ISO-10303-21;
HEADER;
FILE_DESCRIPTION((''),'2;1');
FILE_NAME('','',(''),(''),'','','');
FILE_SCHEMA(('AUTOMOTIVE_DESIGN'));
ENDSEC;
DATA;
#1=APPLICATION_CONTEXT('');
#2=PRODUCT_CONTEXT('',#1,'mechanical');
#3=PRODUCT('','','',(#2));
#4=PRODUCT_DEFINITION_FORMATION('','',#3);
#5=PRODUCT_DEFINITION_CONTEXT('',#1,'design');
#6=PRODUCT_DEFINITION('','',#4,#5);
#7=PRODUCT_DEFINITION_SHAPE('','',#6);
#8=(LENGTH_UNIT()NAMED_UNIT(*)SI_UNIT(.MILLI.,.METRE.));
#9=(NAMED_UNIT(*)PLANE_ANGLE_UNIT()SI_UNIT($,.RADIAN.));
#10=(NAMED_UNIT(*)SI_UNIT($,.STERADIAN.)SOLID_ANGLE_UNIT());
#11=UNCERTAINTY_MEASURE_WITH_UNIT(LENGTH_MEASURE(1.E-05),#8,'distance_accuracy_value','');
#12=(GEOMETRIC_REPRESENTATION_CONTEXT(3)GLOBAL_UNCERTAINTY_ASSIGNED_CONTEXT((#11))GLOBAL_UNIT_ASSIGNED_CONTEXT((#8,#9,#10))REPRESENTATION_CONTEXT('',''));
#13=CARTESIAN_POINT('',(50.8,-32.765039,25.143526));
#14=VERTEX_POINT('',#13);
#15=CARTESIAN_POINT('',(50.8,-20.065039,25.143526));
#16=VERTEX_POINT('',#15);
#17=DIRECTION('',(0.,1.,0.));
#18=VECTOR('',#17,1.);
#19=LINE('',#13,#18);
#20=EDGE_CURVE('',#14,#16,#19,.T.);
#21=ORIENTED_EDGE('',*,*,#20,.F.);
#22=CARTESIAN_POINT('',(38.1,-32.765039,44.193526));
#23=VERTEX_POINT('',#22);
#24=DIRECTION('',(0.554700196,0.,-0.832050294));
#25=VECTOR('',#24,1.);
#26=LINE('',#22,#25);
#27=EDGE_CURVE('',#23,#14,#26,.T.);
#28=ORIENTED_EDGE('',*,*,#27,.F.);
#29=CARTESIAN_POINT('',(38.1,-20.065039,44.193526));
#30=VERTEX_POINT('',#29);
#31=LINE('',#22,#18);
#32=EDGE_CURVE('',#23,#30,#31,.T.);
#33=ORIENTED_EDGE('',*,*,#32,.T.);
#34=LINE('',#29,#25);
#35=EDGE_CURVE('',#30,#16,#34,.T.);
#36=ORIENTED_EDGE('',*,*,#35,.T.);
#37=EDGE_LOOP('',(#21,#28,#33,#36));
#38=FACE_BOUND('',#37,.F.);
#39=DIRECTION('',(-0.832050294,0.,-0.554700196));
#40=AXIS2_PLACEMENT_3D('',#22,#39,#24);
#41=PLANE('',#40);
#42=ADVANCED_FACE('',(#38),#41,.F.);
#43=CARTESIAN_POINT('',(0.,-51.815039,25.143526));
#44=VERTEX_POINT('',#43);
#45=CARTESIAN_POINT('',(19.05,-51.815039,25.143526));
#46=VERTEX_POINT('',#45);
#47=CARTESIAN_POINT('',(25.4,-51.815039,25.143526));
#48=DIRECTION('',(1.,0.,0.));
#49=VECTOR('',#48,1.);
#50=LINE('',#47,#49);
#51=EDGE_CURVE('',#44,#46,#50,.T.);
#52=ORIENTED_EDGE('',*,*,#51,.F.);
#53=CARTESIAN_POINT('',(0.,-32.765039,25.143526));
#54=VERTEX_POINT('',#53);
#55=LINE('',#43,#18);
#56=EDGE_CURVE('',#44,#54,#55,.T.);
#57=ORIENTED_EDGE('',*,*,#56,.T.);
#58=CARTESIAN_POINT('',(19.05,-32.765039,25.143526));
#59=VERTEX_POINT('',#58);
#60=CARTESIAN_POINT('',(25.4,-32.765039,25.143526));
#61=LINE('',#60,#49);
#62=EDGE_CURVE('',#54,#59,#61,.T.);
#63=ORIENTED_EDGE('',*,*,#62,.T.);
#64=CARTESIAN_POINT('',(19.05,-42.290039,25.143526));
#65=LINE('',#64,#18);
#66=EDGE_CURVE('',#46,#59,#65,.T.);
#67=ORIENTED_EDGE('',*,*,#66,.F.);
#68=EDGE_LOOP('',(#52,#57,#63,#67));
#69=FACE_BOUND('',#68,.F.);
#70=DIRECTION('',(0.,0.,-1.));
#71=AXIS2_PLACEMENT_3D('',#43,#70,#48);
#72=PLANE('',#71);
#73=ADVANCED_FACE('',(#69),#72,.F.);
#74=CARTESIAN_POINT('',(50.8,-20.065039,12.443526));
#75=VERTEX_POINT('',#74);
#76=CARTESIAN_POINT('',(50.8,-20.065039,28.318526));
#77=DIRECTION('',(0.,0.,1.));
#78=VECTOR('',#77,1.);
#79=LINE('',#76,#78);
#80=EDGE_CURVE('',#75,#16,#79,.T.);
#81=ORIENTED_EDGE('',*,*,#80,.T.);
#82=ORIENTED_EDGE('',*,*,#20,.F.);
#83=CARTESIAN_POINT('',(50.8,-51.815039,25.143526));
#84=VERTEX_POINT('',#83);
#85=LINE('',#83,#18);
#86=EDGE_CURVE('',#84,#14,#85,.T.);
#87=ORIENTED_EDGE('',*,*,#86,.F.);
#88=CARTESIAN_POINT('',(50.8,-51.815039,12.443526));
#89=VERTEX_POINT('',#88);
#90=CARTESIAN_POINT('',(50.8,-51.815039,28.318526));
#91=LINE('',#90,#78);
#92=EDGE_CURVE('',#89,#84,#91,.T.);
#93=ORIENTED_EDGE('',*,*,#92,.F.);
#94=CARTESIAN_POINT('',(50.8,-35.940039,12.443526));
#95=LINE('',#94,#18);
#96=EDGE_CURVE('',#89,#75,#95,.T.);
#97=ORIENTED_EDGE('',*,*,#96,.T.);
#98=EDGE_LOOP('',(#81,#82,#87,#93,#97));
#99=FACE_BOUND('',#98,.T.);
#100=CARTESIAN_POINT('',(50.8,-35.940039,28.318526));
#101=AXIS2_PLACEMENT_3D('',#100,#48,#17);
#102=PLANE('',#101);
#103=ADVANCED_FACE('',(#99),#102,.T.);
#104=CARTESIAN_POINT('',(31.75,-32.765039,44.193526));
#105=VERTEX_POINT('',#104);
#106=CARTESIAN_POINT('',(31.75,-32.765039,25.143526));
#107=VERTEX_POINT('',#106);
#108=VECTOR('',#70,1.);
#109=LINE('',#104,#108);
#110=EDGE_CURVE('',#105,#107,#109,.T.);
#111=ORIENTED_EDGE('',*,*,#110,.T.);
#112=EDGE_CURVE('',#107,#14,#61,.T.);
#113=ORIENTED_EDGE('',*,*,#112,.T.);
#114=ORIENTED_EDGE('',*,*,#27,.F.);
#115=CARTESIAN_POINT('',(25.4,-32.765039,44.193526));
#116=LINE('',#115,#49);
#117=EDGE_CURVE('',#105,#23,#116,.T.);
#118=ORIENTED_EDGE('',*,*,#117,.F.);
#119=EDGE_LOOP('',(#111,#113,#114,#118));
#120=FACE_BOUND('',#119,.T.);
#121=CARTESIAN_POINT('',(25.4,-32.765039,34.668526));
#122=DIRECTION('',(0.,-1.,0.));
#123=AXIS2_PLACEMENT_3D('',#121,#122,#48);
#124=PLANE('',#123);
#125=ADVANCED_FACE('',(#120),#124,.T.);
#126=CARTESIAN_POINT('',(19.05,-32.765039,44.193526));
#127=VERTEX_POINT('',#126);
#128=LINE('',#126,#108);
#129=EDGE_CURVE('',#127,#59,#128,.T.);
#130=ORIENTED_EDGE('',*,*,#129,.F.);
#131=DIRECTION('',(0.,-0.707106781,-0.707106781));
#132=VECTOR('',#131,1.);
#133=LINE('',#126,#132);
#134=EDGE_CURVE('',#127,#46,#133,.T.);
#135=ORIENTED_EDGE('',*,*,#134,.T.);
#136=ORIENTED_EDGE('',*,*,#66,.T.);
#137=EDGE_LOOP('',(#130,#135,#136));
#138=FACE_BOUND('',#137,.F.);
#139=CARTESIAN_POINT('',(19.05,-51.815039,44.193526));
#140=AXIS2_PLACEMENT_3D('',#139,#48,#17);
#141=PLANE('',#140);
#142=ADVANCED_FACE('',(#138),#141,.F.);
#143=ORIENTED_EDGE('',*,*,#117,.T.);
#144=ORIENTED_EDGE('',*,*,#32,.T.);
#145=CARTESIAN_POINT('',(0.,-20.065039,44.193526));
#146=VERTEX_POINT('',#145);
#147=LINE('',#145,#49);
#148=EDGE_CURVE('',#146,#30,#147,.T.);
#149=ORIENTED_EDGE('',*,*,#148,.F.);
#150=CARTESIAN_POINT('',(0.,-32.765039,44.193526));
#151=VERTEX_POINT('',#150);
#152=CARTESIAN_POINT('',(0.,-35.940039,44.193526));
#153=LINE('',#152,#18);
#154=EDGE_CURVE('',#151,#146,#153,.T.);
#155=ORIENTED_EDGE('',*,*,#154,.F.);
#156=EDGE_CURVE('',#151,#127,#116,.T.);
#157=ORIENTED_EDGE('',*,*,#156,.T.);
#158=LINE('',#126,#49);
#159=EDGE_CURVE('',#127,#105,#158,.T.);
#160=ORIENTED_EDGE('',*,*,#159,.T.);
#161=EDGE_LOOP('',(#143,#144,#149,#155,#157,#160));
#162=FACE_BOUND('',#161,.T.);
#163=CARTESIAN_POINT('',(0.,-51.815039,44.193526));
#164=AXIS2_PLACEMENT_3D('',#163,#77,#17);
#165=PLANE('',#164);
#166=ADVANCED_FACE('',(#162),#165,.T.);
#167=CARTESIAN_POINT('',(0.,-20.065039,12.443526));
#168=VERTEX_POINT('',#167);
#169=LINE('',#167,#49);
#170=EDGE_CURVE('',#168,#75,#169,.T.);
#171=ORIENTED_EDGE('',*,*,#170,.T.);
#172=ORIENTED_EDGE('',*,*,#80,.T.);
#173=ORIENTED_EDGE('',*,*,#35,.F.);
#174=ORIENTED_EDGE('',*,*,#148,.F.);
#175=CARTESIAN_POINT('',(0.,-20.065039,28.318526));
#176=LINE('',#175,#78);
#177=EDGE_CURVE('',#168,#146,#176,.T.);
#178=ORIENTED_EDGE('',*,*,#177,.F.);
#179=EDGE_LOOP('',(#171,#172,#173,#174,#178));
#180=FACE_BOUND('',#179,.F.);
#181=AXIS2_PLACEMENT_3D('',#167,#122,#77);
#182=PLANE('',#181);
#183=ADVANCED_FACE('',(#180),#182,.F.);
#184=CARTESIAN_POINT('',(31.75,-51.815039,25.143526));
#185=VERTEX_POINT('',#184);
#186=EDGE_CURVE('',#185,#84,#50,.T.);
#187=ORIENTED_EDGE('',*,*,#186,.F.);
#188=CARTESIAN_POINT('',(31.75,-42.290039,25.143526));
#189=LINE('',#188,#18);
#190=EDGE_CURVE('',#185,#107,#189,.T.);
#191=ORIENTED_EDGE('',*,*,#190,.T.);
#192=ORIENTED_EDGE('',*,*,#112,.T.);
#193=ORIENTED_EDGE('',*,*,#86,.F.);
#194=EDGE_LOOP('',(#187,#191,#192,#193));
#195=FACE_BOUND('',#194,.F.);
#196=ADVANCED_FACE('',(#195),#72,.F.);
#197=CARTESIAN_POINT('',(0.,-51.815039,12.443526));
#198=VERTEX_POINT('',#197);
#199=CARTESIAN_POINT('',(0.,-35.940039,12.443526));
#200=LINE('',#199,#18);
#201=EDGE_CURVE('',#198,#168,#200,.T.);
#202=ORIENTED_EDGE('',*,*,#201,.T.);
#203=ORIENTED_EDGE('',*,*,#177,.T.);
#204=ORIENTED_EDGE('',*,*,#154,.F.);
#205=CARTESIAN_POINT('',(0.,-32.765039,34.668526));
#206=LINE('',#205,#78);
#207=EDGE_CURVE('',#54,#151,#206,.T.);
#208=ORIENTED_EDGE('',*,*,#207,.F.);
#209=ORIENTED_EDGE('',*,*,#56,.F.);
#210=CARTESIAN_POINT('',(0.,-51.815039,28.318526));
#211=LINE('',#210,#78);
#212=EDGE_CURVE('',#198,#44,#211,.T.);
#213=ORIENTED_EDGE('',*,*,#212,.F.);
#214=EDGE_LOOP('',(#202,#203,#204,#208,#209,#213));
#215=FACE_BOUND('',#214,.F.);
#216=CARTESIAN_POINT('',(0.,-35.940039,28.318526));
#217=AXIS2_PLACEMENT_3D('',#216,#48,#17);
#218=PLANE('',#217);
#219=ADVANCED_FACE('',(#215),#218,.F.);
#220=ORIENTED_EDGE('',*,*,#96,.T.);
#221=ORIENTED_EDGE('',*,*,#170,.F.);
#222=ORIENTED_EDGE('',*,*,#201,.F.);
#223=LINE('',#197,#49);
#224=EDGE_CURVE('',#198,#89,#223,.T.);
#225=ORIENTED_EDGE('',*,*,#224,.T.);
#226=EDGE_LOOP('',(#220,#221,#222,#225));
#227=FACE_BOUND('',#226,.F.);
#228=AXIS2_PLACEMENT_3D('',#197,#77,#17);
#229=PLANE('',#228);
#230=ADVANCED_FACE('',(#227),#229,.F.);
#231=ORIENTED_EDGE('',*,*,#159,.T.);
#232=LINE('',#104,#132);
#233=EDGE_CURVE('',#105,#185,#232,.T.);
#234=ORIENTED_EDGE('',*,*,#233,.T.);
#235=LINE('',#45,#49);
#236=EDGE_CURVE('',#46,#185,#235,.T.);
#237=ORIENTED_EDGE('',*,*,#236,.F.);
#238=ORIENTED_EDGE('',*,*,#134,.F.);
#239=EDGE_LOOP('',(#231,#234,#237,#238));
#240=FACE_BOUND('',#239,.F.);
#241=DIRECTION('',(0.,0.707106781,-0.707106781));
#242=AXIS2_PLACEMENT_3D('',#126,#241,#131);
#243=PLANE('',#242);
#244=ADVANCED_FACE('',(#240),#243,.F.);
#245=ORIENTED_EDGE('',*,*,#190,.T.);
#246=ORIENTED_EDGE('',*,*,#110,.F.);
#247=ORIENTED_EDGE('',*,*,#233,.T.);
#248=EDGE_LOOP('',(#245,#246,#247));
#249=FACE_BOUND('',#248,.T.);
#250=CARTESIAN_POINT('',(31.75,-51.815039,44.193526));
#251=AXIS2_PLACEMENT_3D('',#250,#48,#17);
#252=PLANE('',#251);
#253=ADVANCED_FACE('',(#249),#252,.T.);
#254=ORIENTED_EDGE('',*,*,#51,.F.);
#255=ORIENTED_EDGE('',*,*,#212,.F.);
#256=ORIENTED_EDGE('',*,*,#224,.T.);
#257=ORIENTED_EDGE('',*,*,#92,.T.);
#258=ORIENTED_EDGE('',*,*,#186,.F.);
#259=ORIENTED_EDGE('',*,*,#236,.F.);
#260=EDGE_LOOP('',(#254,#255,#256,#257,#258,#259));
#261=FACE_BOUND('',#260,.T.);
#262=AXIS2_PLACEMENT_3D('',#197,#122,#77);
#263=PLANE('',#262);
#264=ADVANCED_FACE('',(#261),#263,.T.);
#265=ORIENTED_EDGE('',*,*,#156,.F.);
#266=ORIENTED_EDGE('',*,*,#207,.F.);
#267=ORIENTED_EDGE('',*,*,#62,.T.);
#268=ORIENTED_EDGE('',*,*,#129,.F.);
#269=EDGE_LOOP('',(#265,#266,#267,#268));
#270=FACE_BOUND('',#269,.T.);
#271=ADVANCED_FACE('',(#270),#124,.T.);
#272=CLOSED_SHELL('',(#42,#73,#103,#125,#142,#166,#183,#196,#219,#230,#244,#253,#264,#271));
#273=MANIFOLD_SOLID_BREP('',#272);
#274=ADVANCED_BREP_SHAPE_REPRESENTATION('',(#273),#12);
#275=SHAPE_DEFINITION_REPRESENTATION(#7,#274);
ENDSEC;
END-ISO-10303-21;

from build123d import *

# Parameters (mm, degrees)
F0_W     = 31.75
F0_H     = 31.75
F1_DEPTH = 50.8
F2_W     = 50.8
F2_H     = 19.05
F3_DEPTH = 19.05
F5_DEPTH = 12.7
F6_W     = 12.7
F6_H     = 19.05
F7_DEPTH = 19.05
F9_DEPTH = 12.7


with BuildPart() as f1:
    # F0 (on Right) → F1 (new body)
    with BuildSketch(Plane.YZ):
        with Locations((-35.940039, 28.318526)):
            Rectangle(F0_W, F0_H)
    extrude(amount=F1_DEPTH)

    # F2 (on face) → F3 (cut)
    with BuildSketch(Plane.XZ.offset(51.815039)):
        with Locations((25.4, 34.668526)):
            Rectangle(F2_W, F2_H)
    extrude(amount=-F3_DEPTH, mode=Mode.SUBTRACT)

    # F4 (on face) → F5 (cut)
    with BuildSketch(Plane.XZ.offset(32.765039)):
        Polygon((50.8, 25.143526), (50.8, 44.193526), (38.1, 44.193526), align=None)
    extrude(amount=-F5_DEPTH, mode=Mode.SUBTRACT)

    # F6 (on face) → F7 (join)
    with BuildSketch(Plane.XY.offset(44.193526)):
        with Locations((25.4, -42.290039)):
            Rectangle(F6_W, F6_H)
    extrude(amount=-F7_DEPTH)

    # F8 (on face) → F9 (cut)
    with BuildSketch(Plane(origin=(19.05, 0, 0), x_dir=(0, -1, 0), z_dir=(-1, 0, 0))):
        Polygon((51.815039, 44.193526), (32.765039, 44.193526), (51.815039, 25.143526), align=None)
    extrude(amount=-F9_DEPTH, mode=Mode.SUBTRACT)


solid = f1.part
